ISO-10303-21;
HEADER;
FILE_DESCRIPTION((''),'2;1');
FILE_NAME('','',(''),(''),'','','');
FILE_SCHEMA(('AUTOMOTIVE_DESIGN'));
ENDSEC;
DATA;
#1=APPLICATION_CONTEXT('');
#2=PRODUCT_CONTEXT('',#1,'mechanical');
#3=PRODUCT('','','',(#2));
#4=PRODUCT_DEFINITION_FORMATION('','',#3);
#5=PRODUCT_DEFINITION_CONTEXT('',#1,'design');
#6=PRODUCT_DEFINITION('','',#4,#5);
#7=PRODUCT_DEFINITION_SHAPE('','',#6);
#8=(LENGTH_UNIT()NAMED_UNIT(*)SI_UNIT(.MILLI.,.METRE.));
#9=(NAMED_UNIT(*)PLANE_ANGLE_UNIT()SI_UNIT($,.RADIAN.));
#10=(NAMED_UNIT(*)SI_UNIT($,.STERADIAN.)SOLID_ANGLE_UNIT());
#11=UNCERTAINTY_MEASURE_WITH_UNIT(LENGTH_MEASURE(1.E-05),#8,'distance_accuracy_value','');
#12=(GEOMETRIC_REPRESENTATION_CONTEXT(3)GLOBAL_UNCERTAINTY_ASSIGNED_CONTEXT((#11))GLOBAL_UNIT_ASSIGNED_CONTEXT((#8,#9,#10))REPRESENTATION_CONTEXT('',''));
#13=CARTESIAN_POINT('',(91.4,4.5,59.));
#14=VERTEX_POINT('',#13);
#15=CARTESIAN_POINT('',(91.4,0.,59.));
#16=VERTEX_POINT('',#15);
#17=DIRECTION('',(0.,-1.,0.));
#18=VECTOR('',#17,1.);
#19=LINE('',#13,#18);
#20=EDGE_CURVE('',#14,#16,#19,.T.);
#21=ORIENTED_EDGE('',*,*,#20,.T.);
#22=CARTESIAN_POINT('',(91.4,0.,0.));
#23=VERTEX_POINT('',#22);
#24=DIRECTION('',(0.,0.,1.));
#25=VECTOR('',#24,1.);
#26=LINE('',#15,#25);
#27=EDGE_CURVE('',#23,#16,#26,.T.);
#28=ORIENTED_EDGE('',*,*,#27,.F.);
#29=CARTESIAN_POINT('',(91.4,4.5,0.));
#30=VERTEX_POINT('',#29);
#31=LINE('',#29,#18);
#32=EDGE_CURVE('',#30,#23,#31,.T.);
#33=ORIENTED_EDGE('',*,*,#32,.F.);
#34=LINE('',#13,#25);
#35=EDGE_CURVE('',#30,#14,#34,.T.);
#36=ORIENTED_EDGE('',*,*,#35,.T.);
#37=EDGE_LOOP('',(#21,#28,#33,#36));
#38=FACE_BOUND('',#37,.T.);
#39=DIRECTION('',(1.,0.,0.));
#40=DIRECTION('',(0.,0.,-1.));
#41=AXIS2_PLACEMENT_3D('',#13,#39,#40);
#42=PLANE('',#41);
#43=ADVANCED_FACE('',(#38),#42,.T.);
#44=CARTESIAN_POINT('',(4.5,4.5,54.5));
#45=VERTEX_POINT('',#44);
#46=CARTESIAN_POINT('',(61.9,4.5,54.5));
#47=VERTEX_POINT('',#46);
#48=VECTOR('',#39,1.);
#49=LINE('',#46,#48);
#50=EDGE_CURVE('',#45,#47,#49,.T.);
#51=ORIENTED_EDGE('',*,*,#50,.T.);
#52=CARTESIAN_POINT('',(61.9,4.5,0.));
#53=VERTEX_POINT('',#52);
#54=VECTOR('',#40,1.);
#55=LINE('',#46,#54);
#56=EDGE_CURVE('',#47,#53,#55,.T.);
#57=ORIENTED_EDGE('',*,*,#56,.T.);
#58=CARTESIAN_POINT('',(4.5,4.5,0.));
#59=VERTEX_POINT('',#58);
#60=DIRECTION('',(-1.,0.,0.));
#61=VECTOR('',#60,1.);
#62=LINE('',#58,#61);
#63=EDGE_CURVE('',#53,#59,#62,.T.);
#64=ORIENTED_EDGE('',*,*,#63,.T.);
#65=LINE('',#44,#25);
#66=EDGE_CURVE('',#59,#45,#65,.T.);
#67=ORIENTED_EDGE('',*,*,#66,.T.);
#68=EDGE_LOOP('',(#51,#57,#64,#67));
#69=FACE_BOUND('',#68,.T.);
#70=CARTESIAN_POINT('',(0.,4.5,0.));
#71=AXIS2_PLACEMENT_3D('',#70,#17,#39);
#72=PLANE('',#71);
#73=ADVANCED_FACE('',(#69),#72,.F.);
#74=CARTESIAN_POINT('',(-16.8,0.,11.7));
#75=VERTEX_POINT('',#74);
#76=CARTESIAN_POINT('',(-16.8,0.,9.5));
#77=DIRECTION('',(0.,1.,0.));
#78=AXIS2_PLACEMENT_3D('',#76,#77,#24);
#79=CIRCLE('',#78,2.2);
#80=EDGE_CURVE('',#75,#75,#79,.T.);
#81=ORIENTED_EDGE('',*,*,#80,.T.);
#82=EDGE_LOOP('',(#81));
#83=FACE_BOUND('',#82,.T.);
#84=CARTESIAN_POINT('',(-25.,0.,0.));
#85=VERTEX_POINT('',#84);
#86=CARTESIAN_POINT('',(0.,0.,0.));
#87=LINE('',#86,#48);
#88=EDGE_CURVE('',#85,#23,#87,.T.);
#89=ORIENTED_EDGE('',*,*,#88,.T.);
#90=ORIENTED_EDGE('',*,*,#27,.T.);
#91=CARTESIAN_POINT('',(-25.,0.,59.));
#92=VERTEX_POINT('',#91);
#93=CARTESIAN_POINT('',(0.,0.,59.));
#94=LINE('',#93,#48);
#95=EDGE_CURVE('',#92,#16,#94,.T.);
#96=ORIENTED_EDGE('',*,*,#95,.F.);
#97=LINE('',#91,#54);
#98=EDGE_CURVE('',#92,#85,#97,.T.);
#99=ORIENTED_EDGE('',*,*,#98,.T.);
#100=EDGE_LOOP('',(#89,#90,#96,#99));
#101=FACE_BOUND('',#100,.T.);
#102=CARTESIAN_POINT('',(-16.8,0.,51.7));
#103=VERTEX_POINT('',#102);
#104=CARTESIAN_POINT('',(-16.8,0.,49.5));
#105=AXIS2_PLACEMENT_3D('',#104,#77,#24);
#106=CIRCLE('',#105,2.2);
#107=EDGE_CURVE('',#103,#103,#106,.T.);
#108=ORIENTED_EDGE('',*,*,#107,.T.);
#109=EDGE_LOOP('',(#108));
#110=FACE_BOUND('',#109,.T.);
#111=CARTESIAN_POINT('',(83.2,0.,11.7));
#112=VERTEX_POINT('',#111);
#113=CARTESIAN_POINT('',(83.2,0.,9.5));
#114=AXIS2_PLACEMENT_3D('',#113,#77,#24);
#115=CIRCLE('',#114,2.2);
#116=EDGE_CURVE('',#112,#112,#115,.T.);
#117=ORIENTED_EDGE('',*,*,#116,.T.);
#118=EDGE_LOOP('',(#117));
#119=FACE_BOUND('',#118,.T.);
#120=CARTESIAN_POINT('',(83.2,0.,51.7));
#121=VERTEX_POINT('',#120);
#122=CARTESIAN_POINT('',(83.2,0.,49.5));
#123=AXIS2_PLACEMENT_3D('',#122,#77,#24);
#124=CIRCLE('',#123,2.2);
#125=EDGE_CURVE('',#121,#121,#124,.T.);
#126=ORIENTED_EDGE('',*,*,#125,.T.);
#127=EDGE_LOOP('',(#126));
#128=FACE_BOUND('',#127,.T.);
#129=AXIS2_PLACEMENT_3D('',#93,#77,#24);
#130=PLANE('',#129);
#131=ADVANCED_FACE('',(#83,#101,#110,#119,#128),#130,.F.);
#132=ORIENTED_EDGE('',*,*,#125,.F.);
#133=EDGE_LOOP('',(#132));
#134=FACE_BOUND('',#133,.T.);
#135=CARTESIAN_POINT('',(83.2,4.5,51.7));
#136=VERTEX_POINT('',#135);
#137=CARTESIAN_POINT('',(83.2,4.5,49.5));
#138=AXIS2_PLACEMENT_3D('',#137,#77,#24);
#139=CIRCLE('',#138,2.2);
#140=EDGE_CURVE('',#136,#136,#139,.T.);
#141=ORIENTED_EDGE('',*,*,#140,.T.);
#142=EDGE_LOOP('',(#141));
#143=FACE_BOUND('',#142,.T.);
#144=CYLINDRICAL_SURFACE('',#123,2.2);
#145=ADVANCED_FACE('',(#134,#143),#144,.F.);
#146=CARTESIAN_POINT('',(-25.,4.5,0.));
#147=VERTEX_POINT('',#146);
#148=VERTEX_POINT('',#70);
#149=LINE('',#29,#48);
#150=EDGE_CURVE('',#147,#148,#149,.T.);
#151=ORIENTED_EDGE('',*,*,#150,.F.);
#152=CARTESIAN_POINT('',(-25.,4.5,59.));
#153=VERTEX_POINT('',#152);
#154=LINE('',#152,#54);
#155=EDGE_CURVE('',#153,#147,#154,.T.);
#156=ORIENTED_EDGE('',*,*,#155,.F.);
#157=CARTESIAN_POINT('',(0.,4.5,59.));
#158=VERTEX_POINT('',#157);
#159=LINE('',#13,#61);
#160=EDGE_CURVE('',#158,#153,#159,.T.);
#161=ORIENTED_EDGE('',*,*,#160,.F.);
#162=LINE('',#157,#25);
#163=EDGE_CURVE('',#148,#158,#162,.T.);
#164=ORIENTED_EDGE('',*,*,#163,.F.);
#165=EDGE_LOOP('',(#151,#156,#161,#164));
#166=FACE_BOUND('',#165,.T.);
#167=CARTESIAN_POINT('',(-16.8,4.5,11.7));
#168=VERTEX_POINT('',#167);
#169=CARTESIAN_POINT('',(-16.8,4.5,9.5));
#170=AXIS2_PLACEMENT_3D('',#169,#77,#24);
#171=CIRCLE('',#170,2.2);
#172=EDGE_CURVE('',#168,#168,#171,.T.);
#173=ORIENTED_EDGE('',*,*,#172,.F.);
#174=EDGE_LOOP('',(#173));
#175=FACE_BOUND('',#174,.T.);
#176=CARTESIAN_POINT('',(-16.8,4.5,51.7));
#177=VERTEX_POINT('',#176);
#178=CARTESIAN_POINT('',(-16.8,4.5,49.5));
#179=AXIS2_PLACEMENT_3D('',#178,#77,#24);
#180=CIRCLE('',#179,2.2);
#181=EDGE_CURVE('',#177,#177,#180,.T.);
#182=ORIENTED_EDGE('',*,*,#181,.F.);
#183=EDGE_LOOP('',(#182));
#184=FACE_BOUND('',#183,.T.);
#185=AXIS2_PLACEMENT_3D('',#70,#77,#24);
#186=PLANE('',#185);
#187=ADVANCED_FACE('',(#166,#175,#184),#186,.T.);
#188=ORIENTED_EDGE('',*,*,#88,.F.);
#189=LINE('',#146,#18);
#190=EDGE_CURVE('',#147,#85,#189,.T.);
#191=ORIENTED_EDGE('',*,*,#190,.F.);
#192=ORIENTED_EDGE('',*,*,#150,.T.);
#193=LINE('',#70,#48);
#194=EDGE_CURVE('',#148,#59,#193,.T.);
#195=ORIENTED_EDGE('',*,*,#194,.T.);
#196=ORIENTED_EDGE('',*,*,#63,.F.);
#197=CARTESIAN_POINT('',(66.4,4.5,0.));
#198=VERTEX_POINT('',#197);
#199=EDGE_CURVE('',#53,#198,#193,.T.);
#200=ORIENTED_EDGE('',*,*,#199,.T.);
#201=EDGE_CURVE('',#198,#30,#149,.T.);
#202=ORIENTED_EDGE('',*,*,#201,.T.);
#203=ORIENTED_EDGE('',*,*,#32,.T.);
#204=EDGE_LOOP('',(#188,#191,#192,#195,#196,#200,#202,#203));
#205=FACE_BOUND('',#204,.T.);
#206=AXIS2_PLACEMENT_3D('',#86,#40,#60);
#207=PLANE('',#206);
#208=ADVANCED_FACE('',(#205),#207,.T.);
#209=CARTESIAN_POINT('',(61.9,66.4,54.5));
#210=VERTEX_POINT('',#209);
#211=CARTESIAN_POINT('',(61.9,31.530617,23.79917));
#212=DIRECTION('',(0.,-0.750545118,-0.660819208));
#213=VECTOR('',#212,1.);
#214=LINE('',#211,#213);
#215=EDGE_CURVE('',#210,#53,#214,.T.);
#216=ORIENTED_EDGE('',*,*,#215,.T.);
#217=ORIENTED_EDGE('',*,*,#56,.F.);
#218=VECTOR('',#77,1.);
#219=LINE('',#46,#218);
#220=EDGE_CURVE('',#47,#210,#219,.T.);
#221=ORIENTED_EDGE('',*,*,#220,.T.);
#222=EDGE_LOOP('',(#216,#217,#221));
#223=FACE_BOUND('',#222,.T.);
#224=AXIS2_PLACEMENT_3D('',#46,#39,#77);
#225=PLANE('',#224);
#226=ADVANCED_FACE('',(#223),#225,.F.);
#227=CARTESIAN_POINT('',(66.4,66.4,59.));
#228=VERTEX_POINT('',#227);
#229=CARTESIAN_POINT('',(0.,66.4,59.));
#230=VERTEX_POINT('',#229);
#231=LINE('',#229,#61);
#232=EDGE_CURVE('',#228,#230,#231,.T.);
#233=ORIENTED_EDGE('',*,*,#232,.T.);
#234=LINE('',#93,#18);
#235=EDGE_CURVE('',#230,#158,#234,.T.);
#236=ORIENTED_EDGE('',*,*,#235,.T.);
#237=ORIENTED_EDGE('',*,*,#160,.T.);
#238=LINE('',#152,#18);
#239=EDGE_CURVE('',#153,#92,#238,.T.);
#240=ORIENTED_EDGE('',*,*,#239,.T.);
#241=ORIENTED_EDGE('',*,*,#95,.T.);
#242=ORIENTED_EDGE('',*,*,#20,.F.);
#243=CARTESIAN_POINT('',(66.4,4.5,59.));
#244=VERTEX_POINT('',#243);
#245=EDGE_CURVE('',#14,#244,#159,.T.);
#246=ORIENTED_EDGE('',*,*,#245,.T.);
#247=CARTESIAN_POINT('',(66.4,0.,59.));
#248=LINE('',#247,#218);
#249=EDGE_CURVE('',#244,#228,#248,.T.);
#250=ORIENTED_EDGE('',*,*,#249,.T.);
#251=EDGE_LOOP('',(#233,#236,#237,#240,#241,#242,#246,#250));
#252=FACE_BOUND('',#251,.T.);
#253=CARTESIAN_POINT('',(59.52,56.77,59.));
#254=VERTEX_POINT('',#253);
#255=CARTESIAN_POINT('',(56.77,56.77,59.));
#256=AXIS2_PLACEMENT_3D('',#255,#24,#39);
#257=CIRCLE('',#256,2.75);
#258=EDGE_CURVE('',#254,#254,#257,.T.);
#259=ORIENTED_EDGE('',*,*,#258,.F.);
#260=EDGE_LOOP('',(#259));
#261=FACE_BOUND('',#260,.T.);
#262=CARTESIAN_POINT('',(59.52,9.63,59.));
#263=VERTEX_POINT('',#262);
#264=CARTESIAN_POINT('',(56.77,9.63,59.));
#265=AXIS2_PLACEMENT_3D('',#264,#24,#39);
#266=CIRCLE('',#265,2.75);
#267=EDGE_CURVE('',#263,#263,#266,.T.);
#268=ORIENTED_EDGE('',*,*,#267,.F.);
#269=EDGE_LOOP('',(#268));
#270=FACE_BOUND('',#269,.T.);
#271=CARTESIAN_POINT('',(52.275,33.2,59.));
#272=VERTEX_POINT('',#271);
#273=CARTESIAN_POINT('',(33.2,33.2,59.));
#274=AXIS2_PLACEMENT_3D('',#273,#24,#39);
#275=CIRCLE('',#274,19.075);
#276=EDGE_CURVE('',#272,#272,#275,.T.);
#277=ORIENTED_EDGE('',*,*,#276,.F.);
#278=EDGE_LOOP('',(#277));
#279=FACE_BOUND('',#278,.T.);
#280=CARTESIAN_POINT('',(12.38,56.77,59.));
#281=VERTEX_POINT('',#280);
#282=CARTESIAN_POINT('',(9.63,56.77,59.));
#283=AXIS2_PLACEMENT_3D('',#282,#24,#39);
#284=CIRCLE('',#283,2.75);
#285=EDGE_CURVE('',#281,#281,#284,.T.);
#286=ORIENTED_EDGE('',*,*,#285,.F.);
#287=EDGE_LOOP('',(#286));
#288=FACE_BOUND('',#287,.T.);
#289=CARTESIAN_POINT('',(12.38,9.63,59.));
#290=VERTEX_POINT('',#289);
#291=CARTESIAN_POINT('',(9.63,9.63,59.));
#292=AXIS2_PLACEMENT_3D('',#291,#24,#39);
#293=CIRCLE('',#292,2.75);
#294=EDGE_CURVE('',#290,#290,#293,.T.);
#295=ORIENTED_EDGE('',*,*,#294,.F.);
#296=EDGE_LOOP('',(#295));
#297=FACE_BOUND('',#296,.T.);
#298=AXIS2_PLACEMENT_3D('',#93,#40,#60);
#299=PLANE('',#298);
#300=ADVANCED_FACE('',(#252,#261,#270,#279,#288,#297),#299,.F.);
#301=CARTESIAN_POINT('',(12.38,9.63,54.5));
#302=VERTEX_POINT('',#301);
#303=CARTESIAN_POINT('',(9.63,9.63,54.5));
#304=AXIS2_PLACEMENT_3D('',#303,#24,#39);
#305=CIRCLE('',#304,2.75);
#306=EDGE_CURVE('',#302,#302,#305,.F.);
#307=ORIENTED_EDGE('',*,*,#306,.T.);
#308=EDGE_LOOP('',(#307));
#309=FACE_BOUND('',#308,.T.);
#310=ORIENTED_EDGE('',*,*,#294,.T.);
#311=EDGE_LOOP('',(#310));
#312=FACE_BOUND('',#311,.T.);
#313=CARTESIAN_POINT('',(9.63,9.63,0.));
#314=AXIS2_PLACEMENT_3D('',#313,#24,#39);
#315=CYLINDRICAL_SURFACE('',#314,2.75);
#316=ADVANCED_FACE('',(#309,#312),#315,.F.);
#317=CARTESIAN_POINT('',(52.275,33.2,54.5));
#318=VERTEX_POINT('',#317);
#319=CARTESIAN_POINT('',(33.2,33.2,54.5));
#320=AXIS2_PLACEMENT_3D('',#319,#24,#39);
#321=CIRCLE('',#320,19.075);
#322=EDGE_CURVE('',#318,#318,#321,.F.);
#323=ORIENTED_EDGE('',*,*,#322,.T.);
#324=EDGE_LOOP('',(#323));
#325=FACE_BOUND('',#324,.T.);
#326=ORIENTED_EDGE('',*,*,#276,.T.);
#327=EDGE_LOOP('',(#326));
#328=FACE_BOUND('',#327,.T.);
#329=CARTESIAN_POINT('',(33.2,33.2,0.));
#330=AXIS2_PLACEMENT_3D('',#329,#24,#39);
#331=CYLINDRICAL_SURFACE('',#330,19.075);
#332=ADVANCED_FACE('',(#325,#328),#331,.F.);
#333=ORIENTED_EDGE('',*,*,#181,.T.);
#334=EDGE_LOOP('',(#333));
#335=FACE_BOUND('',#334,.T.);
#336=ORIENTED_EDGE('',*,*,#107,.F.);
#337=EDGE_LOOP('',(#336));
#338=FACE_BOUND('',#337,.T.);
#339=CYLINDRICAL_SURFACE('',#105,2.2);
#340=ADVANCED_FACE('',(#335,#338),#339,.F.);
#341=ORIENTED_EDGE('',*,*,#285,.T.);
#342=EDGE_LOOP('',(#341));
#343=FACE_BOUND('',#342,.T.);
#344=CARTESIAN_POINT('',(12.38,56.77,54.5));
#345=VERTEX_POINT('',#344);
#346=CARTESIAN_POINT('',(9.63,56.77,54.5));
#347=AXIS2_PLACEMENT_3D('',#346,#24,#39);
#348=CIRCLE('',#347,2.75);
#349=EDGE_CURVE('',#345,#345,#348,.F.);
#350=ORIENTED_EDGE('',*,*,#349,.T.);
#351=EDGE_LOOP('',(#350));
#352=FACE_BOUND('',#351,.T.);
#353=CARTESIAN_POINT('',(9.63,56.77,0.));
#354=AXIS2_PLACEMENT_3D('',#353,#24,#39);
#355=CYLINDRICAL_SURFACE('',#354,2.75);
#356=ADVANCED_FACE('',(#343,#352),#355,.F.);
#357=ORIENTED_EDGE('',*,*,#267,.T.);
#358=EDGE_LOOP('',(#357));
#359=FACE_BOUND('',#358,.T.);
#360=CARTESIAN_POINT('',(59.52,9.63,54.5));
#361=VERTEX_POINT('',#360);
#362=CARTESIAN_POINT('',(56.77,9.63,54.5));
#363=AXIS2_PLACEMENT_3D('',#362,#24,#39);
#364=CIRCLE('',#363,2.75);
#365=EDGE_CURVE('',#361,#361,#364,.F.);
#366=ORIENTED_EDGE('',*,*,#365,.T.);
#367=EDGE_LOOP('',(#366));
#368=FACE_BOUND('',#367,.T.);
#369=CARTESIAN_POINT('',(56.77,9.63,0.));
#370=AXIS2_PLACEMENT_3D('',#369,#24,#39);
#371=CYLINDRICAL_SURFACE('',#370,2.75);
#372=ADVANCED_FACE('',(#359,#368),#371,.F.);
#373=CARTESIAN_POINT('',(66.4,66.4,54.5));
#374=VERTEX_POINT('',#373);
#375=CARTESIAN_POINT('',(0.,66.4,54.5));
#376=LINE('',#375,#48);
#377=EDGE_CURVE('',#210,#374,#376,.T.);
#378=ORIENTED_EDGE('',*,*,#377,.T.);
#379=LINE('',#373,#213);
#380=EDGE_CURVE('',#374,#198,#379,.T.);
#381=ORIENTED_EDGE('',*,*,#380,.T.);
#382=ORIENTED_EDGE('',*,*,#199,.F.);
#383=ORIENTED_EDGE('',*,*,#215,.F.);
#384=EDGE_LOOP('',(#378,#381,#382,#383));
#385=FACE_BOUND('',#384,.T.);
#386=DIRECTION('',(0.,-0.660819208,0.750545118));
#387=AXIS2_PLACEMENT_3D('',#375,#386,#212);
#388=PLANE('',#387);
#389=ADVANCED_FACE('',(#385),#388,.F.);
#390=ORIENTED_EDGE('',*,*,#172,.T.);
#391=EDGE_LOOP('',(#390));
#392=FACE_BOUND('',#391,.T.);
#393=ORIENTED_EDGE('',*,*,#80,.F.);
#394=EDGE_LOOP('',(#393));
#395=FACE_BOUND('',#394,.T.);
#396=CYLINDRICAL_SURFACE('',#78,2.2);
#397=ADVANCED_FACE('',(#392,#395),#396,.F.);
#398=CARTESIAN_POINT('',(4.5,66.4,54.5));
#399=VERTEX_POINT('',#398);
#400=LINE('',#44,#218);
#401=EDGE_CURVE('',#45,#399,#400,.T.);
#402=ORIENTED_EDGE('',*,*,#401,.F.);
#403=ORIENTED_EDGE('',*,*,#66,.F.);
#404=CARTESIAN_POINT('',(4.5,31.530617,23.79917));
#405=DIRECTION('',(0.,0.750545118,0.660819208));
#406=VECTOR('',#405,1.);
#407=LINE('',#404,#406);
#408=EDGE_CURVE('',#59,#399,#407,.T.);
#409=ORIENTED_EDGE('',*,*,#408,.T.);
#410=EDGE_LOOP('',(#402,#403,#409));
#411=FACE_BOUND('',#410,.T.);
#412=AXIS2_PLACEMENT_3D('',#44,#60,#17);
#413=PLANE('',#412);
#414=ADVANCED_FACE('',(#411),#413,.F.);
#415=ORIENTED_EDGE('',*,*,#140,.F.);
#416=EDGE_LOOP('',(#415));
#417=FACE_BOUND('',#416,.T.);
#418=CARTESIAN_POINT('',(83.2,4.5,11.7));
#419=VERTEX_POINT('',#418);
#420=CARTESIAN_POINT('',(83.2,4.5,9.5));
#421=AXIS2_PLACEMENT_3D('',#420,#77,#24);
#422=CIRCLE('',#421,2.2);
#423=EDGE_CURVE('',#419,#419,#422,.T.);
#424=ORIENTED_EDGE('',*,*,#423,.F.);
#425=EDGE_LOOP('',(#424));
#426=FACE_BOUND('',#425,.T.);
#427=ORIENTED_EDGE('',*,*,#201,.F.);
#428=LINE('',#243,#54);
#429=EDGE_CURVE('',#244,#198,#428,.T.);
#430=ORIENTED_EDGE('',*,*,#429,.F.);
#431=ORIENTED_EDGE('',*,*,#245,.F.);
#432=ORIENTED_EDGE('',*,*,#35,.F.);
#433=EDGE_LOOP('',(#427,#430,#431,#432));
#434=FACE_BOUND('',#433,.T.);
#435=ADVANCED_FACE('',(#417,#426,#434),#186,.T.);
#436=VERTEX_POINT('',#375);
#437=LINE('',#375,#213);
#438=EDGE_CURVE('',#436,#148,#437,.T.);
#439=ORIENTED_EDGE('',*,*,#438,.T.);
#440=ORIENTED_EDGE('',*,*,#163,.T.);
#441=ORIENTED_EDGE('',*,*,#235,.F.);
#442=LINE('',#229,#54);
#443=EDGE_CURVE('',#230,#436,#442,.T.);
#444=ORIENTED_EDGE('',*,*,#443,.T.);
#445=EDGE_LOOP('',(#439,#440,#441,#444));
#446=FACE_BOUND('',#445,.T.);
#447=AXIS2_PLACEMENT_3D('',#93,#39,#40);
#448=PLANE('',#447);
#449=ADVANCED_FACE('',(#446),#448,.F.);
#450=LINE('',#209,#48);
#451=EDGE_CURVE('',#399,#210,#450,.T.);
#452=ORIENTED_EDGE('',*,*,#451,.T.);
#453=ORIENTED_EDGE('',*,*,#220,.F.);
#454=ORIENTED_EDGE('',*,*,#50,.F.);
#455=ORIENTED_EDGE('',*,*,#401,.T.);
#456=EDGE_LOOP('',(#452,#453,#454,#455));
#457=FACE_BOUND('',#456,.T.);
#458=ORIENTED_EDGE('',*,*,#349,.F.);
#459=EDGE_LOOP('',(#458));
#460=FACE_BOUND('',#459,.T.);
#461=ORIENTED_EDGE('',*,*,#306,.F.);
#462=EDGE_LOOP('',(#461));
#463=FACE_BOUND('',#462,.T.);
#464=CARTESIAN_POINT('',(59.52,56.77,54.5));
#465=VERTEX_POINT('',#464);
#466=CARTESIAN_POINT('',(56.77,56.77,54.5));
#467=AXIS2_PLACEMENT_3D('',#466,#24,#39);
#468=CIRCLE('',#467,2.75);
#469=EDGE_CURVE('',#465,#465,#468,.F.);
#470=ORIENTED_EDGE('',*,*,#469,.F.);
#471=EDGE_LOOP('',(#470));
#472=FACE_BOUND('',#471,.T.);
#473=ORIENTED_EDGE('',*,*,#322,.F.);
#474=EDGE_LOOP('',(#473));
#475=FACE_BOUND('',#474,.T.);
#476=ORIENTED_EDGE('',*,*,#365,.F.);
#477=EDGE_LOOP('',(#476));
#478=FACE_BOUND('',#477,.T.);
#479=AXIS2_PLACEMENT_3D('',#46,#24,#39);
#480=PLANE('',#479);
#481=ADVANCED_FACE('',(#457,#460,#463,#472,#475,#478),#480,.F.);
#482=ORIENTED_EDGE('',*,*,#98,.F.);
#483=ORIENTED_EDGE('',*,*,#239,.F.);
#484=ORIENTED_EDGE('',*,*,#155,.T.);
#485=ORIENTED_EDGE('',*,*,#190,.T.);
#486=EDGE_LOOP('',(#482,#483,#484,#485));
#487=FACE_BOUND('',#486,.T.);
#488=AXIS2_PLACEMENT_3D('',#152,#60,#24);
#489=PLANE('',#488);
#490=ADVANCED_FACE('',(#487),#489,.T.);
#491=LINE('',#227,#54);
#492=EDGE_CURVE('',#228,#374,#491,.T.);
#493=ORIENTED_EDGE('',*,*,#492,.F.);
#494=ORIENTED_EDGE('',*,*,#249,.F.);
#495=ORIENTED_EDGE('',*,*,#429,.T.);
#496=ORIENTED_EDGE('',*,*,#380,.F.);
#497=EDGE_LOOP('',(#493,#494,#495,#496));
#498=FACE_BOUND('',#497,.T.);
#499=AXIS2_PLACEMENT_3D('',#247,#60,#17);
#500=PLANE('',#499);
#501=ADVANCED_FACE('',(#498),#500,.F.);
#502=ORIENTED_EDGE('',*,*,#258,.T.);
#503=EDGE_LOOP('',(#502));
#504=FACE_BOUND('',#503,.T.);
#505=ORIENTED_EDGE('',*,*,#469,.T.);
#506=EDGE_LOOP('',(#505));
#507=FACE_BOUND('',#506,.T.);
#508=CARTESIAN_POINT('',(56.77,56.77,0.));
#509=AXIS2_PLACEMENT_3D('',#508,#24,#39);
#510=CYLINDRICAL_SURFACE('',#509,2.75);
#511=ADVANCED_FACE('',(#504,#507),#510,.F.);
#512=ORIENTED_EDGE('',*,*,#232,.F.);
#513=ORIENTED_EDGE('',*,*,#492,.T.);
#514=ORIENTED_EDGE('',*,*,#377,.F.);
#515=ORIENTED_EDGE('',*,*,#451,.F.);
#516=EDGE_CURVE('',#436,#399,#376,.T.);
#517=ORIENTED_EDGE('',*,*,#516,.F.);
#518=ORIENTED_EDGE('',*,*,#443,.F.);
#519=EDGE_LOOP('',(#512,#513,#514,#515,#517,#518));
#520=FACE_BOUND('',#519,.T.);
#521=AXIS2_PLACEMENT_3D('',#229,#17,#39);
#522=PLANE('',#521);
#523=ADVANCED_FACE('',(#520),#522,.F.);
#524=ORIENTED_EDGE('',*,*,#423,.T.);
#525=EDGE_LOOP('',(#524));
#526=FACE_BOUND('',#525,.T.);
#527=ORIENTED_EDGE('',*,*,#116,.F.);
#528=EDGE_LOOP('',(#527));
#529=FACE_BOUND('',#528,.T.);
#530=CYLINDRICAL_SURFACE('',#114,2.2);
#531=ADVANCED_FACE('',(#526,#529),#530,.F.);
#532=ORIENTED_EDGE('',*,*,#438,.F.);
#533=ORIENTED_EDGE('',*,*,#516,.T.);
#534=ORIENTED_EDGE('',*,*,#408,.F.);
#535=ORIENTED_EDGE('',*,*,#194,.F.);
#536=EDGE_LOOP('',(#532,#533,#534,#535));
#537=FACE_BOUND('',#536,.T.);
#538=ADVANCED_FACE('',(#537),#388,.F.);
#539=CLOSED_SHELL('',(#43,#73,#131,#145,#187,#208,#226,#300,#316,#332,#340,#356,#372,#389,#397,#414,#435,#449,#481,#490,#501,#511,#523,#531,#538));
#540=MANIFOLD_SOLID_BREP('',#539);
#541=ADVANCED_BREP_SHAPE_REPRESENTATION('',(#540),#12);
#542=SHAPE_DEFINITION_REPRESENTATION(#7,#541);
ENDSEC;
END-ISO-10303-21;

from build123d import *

# Parameters (mm, degrees)
SKETCH1_W           = 66.4
SKETCH1_H           = 66.4
BOSS_EXTRUDE1_DEPTH = 59
SKETCH2_R           = 19.075
SKETCH2_R_2         = 2.75
CUT_EXTRUDE1_DEPTH  = 111.900495941
SKETCH3_W           = 57.4
SKETCH3_H           = 54.5
CUT_EXTRUDE2_DEPTH  = 61.9
CUT_EXTRUDE3_DEPTH  = 111.900495941
SKETCH5_W           = 116.4
SKETCH5_H           = 59
BOSS_EXTRUDE2_DEPTH = 4.5
SKETCH6_R           = 2.2
CUT_EXTRUDE4_DEPTH  = 126.166169551


with BuildPart() as part:
    # Sketch1 → Boss-Extrude1 (new body)
    with BuildSketch(Plane.XY):
        with Locations((33.2, 33.2)):
            Rectangle(SKETCH1_W, SKETCH1_H)
    extrude(amount=BOSS_EXTRUDE1_DEPTH)

    # Sketch2 → Cut-Extrude1 (cut, through all)
    with BuildSketch(Plane.XY.offset(59)):
        with Locations((33.2, 33.2)):
            Circle(SKETCH2_R)
        with Locations((9.63, 56.77)):
            Circle(SKETCH2_R_2)
        with Locations((56.77, 56.77)):
            Circle(SKETCH2_R_2)
        with Locations((56.77, 9.63)):
            Circle(SKETCH2_R_2)
        with Locations((9.63, 9.63)):
            Circle(SKETCH2_R_2)
    extrude(amount=-CUT_EXTRUDE1_DEPTH, mode=Mode.SUBTRACT)

    # Sketch3 → Cut-Extrude2 (cut)
    with BuildSketch(Plane(origin=(0, 66.4, 0), x_dir=(1, 0, 0), z_dir=(0, 1, 0))):
        with Locations((33.2, -27.25)):
            Rectangle(SKETCH3_W, SKETCH3_H)
    extrude(amount=-CUT_EXTRUDE2_DEPTH, mode=Mode.SUBTRACT)

    # Sketch4 → Cut-Extrude3 (cut, through all)
    with BuildSketch(Plane(origin=(66.4, 0, 0), x_dir=(0, 0, -1), z_dir=(1, 0, 0))):
        Polygon((-54.5, 66.4), (0, 66.4), (0, 4.5), align=None)
    extrude(amount=-CUT_EXTRUDE3_DEPTH, mode=Mode.SUBTRACT)

    # Sketch5 → Boss-Extrude2 (add)
    with BuildSketch(Plane.XZ):
        with Locations((33.2, 29.5)):
            Rectangle(SKETCH5_W, SKETCH5_H)
    extrude(amount=-BOSS_EXTRUDE2_DEPTH)

    # Sketch6 → Cut-Extrude4 (cut, through all)
    with BuildSketch(Plane(origin=(0, 4.5, 0), x_dir=(1, 0, 0), z_dir=(0, 1, 0))):
        with Locations(Location((-16.8, -9.5, 0), (0, 0, 270))):
            Circle(SKETCH6_R)
        with Locations(Location((-16.8, -49.5, 0), (0, 0, 270))):
            Circle(SKETCH6_R)
        with Locations(Location((83.2, -49.5, 0), (0, 0, 270))):
            Circle(SKETCH6_R)
        with Locations(Location((83.2, -9.5, 0), (0, 0, 270))):
            Circle(SKETCH6_R)
    extrude(amount=-CUT_EXTRUDE4_DEPTH, mode=Mode.SUBTRACT)


solid = part.part
